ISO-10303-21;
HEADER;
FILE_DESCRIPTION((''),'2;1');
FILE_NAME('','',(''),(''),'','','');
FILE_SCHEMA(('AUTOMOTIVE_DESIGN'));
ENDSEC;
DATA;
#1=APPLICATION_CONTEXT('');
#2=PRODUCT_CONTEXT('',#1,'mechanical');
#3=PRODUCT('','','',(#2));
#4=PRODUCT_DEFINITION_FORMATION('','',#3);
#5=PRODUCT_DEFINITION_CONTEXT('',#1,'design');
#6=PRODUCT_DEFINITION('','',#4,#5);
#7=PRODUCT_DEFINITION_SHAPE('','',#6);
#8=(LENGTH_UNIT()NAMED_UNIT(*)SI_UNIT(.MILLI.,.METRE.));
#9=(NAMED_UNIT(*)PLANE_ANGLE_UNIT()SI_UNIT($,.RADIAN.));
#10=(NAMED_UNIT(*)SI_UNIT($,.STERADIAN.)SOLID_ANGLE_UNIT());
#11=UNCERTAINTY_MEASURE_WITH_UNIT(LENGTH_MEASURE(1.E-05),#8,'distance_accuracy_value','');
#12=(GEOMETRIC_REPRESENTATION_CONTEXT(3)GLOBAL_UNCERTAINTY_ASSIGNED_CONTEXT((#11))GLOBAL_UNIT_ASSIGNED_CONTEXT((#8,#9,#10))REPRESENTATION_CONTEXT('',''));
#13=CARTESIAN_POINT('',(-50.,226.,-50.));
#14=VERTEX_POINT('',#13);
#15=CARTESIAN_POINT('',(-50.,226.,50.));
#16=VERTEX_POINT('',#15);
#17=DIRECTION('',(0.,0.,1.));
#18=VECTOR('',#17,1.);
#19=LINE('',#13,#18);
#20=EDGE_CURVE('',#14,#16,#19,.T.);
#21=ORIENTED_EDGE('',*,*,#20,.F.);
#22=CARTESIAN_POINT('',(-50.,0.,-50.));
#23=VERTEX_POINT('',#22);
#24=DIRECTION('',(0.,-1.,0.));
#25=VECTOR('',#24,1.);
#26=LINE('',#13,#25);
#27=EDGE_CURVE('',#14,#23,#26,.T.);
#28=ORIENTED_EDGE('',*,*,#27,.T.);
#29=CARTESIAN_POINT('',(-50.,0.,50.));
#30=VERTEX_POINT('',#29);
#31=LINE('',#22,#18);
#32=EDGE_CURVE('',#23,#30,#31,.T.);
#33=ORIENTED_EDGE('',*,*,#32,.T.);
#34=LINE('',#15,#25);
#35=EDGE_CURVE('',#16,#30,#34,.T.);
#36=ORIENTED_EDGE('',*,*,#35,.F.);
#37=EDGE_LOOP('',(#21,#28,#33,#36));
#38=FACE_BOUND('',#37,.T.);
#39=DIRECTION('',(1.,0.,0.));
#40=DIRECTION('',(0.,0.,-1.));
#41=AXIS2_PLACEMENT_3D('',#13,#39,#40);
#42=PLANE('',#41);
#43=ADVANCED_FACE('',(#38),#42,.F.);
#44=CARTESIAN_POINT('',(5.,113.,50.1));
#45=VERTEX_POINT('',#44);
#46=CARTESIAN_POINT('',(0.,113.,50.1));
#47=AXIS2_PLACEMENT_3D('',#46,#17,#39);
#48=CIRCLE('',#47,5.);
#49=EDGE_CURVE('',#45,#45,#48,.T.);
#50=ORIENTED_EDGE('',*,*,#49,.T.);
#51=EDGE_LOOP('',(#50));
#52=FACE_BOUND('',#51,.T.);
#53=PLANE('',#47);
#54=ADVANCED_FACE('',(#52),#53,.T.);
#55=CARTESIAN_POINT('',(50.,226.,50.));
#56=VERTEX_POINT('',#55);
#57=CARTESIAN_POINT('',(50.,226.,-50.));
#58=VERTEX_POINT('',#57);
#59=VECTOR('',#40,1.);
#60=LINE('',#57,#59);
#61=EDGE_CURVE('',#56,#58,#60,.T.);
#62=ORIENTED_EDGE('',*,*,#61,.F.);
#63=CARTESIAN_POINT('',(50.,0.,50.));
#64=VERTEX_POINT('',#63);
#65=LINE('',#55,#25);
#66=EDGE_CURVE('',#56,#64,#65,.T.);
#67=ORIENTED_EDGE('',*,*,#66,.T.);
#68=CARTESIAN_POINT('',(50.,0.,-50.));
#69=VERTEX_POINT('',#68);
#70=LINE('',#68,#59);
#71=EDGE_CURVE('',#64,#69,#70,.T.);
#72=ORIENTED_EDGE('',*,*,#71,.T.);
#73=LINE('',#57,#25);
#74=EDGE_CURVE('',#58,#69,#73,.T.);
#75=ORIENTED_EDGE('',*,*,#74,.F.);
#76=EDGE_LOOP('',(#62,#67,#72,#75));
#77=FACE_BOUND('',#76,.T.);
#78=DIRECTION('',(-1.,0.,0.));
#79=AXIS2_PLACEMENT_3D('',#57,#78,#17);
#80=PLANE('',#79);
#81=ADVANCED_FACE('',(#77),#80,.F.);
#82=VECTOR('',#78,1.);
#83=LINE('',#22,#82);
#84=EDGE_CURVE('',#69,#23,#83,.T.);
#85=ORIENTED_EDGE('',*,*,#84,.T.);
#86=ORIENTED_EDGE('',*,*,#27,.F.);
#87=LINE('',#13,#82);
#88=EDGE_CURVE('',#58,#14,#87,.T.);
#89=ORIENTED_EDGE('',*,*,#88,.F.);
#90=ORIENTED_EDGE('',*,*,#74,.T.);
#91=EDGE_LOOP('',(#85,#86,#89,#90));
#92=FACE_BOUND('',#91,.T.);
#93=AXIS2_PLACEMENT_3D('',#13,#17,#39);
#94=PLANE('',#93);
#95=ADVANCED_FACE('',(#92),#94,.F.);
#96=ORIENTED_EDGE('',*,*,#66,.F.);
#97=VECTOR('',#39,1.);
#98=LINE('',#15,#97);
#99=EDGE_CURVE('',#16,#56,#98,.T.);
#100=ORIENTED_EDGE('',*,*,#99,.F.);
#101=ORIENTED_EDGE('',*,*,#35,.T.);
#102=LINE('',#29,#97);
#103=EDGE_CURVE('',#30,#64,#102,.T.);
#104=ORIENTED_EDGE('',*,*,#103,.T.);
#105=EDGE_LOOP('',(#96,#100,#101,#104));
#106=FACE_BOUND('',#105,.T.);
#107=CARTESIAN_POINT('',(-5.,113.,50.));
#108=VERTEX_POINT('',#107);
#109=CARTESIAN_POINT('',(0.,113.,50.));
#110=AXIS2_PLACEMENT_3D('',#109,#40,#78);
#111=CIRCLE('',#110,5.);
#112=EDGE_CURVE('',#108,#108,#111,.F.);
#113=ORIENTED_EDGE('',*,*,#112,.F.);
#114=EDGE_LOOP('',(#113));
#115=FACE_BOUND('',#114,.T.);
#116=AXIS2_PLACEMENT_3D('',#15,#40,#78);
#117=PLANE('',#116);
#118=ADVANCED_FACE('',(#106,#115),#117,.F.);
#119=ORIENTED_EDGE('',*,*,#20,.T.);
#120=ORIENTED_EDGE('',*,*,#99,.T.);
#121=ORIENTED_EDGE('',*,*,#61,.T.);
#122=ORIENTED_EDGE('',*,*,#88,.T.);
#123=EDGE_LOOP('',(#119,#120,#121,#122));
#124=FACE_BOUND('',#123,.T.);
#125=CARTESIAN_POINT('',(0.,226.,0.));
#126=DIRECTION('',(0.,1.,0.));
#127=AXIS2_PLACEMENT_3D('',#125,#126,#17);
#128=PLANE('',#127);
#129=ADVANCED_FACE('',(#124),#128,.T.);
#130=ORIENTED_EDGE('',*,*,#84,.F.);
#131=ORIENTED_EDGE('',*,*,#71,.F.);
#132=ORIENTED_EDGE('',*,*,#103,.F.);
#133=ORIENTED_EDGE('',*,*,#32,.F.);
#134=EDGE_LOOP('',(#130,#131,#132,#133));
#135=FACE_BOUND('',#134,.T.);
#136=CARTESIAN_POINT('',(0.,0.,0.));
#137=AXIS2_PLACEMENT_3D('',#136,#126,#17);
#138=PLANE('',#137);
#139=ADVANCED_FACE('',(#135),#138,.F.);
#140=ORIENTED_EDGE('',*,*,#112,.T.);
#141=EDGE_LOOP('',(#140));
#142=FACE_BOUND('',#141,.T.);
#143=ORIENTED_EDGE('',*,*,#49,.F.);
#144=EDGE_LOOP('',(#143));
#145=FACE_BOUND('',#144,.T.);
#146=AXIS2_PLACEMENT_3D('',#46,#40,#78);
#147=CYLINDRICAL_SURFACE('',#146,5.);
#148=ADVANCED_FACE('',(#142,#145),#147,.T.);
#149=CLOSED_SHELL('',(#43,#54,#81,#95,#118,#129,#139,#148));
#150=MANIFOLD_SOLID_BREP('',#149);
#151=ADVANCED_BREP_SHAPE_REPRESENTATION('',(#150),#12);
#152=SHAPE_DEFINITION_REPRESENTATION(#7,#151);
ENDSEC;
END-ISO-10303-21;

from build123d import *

# Parameters (mm, degrees)
SKETCH1_W           = 100
SKETCH1_H           = 100
BOSS_EXTRUDE1_DEPTH = 226
SKETCH2_R           = 5
BOSS_EXTRUDE2_DEPTH = 0.1


with BuildPart() as part:
    # Sketch1 → Boss-Extrude1 (new body)
    with BuildSketch(Plane(origin=(0, 0, 0), x_dir=(1, 0, 0), z_dir=(0, 1, 0))):
        Rectangle(SKETCH1_W, SKETCH1_H)
    extrude(amount=BOSS_EXTRUDE1_DEPTH)

    # Sketch2 → Boss-Extrude2 (add)
    with BuildSketch(Plane.XY.offset(50)):
        with Locations((0, 113)):
            Circle(SKETCH2_R)
    extrude(amount=BOSS_EXTRUDE2_DEPTH)


solid = part.part
